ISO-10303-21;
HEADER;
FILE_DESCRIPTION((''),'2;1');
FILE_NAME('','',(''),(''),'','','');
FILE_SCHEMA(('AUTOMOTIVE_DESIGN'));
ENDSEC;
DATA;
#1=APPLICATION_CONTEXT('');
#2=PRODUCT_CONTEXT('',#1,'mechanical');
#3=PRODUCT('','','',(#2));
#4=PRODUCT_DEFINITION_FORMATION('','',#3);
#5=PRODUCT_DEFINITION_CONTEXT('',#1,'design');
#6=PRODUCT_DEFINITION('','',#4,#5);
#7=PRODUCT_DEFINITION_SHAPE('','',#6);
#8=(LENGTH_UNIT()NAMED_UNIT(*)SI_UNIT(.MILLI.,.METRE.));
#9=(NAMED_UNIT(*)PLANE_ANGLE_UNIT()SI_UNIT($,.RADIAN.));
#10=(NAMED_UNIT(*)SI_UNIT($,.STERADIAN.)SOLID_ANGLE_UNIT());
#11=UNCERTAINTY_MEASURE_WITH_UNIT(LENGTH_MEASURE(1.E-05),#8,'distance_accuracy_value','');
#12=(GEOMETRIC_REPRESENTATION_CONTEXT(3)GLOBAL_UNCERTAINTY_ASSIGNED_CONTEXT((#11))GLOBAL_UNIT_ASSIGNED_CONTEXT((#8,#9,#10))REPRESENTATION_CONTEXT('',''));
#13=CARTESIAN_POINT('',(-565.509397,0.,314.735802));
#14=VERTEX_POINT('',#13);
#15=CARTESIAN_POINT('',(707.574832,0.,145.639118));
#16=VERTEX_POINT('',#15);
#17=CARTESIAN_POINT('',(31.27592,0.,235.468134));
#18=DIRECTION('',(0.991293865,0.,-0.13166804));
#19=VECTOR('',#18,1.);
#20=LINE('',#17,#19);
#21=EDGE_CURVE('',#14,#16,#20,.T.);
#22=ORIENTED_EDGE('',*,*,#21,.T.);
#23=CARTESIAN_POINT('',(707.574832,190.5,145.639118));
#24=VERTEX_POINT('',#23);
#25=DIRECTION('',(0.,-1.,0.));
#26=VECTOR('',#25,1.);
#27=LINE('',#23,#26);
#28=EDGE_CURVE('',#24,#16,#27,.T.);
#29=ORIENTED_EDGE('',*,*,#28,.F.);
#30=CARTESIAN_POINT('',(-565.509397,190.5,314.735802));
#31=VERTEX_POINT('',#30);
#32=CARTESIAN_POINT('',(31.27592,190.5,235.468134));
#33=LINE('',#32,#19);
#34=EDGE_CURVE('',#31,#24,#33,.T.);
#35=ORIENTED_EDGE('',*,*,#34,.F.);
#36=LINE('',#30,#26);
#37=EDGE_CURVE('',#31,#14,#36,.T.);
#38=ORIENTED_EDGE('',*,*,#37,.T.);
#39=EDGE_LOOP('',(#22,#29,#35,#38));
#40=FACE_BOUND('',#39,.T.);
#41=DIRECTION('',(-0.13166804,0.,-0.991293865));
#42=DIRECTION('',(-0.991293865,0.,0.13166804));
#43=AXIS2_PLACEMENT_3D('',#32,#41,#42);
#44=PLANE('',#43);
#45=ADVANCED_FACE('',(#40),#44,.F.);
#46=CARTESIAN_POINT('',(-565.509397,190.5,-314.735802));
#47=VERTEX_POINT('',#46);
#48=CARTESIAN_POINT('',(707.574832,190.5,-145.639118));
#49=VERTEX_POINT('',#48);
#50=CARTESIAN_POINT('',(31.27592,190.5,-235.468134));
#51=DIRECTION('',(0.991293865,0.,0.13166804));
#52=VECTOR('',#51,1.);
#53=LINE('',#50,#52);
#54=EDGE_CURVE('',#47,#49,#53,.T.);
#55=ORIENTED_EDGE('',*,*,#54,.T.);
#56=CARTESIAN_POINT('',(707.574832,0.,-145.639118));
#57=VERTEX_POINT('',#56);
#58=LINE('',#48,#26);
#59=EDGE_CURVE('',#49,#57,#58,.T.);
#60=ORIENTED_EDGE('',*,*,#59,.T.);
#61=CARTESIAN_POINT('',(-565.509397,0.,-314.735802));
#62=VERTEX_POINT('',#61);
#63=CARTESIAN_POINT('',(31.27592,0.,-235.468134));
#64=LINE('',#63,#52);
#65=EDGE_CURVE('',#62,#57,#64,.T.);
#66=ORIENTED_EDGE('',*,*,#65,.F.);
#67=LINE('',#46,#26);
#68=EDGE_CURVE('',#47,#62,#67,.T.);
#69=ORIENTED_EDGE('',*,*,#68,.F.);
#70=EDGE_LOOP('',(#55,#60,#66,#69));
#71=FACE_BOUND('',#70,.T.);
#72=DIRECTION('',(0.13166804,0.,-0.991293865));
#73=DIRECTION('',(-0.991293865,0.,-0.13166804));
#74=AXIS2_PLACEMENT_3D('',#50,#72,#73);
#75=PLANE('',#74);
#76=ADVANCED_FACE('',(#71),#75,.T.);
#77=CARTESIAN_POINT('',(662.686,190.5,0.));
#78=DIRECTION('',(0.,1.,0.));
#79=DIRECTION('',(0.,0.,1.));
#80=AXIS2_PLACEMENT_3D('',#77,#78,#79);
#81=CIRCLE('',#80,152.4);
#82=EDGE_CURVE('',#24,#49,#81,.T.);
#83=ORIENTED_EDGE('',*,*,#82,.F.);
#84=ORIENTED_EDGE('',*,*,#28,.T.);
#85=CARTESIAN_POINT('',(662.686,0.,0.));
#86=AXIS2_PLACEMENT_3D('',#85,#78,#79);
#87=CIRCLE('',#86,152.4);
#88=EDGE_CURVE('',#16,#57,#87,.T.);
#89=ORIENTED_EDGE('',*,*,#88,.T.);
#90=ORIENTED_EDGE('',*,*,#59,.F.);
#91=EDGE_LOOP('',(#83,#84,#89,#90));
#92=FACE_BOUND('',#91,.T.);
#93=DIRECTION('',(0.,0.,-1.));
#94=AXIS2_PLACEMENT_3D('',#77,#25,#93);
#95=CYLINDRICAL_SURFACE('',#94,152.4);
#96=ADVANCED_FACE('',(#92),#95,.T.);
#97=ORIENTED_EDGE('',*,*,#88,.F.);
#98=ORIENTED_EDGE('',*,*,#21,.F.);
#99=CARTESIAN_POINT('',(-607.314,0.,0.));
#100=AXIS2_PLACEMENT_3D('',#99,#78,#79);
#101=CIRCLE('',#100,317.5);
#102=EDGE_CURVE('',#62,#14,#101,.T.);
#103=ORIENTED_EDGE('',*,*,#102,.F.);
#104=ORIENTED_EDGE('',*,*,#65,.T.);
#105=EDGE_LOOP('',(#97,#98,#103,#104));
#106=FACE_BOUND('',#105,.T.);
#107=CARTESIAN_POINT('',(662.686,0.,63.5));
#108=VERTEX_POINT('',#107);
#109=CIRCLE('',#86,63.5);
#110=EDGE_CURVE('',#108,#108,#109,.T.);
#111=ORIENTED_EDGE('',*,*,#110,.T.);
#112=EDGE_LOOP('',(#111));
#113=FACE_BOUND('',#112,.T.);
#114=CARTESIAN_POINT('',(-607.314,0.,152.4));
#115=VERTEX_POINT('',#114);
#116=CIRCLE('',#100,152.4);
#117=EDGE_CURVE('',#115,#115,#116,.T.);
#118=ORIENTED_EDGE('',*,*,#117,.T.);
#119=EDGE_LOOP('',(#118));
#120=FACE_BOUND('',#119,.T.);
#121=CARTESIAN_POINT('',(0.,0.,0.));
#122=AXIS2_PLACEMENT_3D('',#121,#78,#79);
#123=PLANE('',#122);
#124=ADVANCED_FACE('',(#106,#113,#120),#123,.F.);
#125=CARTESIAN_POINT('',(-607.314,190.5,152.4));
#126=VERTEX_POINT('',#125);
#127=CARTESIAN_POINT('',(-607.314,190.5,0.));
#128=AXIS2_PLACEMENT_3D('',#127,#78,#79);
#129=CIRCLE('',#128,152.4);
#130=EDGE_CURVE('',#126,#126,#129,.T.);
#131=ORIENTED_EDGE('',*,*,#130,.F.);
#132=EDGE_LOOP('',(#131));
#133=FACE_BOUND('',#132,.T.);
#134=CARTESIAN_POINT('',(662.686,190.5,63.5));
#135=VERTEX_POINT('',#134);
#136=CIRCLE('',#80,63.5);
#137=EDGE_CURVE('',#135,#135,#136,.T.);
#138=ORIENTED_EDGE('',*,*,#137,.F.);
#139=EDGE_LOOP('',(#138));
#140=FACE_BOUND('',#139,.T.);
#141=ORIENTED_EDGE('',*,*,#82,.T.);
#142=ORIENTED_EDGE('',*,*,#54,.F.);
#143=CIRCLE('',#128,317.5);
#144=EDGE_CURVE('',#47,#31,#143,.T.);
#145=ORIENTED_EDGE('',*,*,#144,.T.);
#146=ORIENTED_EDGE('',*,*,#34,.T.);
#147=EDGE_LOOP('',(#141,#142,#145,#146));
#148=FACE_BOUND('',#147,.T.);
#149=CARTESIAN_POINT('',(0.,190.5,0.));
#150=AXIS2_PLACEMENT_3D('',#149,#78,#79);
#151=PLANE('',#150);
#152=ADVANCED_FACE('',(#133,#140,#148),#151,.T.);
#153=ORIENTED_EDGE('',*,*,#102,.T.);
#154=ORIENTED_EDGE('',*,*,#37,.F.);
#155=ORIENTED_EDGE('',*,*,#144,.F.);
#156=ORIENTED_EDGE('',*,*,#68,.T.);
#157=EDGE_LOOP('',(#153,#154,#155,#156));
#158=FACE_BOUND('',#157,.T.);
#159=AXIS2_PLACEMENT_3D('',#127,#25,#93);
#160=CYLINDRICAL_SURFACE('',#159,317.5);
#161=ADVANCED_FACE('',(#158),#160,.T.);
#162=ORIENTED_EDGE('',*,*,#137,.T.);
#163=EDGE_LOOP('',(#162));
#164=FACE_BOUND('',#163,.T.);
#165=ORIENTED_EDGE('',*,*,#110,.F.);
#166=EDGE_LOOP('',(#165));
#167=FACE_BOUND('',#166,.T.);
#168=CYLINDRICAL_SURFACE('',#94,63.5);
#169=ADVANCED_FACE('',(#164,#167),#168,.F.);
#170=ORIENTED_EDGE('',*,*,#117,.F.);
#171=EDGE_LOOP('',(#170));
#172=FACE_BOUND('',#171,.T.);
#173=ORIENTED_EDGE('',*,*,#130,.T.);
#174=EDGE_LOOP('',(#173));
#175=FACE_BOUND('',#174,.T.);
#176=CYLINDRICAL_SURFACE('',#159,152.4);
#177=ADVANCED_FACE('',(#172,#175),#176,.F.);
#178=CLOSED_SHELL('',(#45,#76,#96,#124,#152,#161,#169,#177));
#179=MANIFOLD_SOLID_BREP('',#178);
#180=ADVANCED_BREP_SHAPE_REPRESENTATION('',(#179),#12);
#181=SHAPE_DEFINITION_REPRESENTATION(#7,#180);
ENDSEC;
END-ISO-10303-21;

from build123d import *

# Parameters (mm, degrees)
SKETCH1_R           = 152.4
SKETCH1_R_2         = 63.5
BOSS_EXTRUDE1_DEPTH = 190.5


with BuildPart() as part:
    # Sketch1 → Boss-Extrude1 (new body)
    with BuildSketch(Plane(origin=(0, 0, 0), x_dir=(1, 0, 0), z_dir=(0, 1, 0))):
        with BuildLine():
            Line((657.371733042, 152.307316196), (-565.509397264, 314.735802206))
            ThreePointArc((-565.509397264, 314.735802206), (-924.814, 0), (-565.509397264, -314.735802206))
            Line((-565.509397264, -314.735802206), (657.371733042, -152.307316196))
            Line((657.371733042, -152.307316196), (707.57483155, -145.639118379))
            ThreePointArc((707.57483155, -145.639118379), (815.086, 0), (707.57483155, 145.639118379))
            Line((707.57483155, 145.639118379), (657.371733042, 152.307316196))
        make_face()
        with Locations(Location((-607.314, 0, 0), (0, 0, 270))):
            Circle(SKETCH1_R, mode=Mode.SUBTRACT)
        with Locations(Location((662.686, 0, 0), (0, 0, 270))):
            Circle(SKETCH1_R_2, mode=Mode.SUBTRACT)
    extrude(amount=BOSS_EXTRUDE1_DEPTH)


solid = part.part
